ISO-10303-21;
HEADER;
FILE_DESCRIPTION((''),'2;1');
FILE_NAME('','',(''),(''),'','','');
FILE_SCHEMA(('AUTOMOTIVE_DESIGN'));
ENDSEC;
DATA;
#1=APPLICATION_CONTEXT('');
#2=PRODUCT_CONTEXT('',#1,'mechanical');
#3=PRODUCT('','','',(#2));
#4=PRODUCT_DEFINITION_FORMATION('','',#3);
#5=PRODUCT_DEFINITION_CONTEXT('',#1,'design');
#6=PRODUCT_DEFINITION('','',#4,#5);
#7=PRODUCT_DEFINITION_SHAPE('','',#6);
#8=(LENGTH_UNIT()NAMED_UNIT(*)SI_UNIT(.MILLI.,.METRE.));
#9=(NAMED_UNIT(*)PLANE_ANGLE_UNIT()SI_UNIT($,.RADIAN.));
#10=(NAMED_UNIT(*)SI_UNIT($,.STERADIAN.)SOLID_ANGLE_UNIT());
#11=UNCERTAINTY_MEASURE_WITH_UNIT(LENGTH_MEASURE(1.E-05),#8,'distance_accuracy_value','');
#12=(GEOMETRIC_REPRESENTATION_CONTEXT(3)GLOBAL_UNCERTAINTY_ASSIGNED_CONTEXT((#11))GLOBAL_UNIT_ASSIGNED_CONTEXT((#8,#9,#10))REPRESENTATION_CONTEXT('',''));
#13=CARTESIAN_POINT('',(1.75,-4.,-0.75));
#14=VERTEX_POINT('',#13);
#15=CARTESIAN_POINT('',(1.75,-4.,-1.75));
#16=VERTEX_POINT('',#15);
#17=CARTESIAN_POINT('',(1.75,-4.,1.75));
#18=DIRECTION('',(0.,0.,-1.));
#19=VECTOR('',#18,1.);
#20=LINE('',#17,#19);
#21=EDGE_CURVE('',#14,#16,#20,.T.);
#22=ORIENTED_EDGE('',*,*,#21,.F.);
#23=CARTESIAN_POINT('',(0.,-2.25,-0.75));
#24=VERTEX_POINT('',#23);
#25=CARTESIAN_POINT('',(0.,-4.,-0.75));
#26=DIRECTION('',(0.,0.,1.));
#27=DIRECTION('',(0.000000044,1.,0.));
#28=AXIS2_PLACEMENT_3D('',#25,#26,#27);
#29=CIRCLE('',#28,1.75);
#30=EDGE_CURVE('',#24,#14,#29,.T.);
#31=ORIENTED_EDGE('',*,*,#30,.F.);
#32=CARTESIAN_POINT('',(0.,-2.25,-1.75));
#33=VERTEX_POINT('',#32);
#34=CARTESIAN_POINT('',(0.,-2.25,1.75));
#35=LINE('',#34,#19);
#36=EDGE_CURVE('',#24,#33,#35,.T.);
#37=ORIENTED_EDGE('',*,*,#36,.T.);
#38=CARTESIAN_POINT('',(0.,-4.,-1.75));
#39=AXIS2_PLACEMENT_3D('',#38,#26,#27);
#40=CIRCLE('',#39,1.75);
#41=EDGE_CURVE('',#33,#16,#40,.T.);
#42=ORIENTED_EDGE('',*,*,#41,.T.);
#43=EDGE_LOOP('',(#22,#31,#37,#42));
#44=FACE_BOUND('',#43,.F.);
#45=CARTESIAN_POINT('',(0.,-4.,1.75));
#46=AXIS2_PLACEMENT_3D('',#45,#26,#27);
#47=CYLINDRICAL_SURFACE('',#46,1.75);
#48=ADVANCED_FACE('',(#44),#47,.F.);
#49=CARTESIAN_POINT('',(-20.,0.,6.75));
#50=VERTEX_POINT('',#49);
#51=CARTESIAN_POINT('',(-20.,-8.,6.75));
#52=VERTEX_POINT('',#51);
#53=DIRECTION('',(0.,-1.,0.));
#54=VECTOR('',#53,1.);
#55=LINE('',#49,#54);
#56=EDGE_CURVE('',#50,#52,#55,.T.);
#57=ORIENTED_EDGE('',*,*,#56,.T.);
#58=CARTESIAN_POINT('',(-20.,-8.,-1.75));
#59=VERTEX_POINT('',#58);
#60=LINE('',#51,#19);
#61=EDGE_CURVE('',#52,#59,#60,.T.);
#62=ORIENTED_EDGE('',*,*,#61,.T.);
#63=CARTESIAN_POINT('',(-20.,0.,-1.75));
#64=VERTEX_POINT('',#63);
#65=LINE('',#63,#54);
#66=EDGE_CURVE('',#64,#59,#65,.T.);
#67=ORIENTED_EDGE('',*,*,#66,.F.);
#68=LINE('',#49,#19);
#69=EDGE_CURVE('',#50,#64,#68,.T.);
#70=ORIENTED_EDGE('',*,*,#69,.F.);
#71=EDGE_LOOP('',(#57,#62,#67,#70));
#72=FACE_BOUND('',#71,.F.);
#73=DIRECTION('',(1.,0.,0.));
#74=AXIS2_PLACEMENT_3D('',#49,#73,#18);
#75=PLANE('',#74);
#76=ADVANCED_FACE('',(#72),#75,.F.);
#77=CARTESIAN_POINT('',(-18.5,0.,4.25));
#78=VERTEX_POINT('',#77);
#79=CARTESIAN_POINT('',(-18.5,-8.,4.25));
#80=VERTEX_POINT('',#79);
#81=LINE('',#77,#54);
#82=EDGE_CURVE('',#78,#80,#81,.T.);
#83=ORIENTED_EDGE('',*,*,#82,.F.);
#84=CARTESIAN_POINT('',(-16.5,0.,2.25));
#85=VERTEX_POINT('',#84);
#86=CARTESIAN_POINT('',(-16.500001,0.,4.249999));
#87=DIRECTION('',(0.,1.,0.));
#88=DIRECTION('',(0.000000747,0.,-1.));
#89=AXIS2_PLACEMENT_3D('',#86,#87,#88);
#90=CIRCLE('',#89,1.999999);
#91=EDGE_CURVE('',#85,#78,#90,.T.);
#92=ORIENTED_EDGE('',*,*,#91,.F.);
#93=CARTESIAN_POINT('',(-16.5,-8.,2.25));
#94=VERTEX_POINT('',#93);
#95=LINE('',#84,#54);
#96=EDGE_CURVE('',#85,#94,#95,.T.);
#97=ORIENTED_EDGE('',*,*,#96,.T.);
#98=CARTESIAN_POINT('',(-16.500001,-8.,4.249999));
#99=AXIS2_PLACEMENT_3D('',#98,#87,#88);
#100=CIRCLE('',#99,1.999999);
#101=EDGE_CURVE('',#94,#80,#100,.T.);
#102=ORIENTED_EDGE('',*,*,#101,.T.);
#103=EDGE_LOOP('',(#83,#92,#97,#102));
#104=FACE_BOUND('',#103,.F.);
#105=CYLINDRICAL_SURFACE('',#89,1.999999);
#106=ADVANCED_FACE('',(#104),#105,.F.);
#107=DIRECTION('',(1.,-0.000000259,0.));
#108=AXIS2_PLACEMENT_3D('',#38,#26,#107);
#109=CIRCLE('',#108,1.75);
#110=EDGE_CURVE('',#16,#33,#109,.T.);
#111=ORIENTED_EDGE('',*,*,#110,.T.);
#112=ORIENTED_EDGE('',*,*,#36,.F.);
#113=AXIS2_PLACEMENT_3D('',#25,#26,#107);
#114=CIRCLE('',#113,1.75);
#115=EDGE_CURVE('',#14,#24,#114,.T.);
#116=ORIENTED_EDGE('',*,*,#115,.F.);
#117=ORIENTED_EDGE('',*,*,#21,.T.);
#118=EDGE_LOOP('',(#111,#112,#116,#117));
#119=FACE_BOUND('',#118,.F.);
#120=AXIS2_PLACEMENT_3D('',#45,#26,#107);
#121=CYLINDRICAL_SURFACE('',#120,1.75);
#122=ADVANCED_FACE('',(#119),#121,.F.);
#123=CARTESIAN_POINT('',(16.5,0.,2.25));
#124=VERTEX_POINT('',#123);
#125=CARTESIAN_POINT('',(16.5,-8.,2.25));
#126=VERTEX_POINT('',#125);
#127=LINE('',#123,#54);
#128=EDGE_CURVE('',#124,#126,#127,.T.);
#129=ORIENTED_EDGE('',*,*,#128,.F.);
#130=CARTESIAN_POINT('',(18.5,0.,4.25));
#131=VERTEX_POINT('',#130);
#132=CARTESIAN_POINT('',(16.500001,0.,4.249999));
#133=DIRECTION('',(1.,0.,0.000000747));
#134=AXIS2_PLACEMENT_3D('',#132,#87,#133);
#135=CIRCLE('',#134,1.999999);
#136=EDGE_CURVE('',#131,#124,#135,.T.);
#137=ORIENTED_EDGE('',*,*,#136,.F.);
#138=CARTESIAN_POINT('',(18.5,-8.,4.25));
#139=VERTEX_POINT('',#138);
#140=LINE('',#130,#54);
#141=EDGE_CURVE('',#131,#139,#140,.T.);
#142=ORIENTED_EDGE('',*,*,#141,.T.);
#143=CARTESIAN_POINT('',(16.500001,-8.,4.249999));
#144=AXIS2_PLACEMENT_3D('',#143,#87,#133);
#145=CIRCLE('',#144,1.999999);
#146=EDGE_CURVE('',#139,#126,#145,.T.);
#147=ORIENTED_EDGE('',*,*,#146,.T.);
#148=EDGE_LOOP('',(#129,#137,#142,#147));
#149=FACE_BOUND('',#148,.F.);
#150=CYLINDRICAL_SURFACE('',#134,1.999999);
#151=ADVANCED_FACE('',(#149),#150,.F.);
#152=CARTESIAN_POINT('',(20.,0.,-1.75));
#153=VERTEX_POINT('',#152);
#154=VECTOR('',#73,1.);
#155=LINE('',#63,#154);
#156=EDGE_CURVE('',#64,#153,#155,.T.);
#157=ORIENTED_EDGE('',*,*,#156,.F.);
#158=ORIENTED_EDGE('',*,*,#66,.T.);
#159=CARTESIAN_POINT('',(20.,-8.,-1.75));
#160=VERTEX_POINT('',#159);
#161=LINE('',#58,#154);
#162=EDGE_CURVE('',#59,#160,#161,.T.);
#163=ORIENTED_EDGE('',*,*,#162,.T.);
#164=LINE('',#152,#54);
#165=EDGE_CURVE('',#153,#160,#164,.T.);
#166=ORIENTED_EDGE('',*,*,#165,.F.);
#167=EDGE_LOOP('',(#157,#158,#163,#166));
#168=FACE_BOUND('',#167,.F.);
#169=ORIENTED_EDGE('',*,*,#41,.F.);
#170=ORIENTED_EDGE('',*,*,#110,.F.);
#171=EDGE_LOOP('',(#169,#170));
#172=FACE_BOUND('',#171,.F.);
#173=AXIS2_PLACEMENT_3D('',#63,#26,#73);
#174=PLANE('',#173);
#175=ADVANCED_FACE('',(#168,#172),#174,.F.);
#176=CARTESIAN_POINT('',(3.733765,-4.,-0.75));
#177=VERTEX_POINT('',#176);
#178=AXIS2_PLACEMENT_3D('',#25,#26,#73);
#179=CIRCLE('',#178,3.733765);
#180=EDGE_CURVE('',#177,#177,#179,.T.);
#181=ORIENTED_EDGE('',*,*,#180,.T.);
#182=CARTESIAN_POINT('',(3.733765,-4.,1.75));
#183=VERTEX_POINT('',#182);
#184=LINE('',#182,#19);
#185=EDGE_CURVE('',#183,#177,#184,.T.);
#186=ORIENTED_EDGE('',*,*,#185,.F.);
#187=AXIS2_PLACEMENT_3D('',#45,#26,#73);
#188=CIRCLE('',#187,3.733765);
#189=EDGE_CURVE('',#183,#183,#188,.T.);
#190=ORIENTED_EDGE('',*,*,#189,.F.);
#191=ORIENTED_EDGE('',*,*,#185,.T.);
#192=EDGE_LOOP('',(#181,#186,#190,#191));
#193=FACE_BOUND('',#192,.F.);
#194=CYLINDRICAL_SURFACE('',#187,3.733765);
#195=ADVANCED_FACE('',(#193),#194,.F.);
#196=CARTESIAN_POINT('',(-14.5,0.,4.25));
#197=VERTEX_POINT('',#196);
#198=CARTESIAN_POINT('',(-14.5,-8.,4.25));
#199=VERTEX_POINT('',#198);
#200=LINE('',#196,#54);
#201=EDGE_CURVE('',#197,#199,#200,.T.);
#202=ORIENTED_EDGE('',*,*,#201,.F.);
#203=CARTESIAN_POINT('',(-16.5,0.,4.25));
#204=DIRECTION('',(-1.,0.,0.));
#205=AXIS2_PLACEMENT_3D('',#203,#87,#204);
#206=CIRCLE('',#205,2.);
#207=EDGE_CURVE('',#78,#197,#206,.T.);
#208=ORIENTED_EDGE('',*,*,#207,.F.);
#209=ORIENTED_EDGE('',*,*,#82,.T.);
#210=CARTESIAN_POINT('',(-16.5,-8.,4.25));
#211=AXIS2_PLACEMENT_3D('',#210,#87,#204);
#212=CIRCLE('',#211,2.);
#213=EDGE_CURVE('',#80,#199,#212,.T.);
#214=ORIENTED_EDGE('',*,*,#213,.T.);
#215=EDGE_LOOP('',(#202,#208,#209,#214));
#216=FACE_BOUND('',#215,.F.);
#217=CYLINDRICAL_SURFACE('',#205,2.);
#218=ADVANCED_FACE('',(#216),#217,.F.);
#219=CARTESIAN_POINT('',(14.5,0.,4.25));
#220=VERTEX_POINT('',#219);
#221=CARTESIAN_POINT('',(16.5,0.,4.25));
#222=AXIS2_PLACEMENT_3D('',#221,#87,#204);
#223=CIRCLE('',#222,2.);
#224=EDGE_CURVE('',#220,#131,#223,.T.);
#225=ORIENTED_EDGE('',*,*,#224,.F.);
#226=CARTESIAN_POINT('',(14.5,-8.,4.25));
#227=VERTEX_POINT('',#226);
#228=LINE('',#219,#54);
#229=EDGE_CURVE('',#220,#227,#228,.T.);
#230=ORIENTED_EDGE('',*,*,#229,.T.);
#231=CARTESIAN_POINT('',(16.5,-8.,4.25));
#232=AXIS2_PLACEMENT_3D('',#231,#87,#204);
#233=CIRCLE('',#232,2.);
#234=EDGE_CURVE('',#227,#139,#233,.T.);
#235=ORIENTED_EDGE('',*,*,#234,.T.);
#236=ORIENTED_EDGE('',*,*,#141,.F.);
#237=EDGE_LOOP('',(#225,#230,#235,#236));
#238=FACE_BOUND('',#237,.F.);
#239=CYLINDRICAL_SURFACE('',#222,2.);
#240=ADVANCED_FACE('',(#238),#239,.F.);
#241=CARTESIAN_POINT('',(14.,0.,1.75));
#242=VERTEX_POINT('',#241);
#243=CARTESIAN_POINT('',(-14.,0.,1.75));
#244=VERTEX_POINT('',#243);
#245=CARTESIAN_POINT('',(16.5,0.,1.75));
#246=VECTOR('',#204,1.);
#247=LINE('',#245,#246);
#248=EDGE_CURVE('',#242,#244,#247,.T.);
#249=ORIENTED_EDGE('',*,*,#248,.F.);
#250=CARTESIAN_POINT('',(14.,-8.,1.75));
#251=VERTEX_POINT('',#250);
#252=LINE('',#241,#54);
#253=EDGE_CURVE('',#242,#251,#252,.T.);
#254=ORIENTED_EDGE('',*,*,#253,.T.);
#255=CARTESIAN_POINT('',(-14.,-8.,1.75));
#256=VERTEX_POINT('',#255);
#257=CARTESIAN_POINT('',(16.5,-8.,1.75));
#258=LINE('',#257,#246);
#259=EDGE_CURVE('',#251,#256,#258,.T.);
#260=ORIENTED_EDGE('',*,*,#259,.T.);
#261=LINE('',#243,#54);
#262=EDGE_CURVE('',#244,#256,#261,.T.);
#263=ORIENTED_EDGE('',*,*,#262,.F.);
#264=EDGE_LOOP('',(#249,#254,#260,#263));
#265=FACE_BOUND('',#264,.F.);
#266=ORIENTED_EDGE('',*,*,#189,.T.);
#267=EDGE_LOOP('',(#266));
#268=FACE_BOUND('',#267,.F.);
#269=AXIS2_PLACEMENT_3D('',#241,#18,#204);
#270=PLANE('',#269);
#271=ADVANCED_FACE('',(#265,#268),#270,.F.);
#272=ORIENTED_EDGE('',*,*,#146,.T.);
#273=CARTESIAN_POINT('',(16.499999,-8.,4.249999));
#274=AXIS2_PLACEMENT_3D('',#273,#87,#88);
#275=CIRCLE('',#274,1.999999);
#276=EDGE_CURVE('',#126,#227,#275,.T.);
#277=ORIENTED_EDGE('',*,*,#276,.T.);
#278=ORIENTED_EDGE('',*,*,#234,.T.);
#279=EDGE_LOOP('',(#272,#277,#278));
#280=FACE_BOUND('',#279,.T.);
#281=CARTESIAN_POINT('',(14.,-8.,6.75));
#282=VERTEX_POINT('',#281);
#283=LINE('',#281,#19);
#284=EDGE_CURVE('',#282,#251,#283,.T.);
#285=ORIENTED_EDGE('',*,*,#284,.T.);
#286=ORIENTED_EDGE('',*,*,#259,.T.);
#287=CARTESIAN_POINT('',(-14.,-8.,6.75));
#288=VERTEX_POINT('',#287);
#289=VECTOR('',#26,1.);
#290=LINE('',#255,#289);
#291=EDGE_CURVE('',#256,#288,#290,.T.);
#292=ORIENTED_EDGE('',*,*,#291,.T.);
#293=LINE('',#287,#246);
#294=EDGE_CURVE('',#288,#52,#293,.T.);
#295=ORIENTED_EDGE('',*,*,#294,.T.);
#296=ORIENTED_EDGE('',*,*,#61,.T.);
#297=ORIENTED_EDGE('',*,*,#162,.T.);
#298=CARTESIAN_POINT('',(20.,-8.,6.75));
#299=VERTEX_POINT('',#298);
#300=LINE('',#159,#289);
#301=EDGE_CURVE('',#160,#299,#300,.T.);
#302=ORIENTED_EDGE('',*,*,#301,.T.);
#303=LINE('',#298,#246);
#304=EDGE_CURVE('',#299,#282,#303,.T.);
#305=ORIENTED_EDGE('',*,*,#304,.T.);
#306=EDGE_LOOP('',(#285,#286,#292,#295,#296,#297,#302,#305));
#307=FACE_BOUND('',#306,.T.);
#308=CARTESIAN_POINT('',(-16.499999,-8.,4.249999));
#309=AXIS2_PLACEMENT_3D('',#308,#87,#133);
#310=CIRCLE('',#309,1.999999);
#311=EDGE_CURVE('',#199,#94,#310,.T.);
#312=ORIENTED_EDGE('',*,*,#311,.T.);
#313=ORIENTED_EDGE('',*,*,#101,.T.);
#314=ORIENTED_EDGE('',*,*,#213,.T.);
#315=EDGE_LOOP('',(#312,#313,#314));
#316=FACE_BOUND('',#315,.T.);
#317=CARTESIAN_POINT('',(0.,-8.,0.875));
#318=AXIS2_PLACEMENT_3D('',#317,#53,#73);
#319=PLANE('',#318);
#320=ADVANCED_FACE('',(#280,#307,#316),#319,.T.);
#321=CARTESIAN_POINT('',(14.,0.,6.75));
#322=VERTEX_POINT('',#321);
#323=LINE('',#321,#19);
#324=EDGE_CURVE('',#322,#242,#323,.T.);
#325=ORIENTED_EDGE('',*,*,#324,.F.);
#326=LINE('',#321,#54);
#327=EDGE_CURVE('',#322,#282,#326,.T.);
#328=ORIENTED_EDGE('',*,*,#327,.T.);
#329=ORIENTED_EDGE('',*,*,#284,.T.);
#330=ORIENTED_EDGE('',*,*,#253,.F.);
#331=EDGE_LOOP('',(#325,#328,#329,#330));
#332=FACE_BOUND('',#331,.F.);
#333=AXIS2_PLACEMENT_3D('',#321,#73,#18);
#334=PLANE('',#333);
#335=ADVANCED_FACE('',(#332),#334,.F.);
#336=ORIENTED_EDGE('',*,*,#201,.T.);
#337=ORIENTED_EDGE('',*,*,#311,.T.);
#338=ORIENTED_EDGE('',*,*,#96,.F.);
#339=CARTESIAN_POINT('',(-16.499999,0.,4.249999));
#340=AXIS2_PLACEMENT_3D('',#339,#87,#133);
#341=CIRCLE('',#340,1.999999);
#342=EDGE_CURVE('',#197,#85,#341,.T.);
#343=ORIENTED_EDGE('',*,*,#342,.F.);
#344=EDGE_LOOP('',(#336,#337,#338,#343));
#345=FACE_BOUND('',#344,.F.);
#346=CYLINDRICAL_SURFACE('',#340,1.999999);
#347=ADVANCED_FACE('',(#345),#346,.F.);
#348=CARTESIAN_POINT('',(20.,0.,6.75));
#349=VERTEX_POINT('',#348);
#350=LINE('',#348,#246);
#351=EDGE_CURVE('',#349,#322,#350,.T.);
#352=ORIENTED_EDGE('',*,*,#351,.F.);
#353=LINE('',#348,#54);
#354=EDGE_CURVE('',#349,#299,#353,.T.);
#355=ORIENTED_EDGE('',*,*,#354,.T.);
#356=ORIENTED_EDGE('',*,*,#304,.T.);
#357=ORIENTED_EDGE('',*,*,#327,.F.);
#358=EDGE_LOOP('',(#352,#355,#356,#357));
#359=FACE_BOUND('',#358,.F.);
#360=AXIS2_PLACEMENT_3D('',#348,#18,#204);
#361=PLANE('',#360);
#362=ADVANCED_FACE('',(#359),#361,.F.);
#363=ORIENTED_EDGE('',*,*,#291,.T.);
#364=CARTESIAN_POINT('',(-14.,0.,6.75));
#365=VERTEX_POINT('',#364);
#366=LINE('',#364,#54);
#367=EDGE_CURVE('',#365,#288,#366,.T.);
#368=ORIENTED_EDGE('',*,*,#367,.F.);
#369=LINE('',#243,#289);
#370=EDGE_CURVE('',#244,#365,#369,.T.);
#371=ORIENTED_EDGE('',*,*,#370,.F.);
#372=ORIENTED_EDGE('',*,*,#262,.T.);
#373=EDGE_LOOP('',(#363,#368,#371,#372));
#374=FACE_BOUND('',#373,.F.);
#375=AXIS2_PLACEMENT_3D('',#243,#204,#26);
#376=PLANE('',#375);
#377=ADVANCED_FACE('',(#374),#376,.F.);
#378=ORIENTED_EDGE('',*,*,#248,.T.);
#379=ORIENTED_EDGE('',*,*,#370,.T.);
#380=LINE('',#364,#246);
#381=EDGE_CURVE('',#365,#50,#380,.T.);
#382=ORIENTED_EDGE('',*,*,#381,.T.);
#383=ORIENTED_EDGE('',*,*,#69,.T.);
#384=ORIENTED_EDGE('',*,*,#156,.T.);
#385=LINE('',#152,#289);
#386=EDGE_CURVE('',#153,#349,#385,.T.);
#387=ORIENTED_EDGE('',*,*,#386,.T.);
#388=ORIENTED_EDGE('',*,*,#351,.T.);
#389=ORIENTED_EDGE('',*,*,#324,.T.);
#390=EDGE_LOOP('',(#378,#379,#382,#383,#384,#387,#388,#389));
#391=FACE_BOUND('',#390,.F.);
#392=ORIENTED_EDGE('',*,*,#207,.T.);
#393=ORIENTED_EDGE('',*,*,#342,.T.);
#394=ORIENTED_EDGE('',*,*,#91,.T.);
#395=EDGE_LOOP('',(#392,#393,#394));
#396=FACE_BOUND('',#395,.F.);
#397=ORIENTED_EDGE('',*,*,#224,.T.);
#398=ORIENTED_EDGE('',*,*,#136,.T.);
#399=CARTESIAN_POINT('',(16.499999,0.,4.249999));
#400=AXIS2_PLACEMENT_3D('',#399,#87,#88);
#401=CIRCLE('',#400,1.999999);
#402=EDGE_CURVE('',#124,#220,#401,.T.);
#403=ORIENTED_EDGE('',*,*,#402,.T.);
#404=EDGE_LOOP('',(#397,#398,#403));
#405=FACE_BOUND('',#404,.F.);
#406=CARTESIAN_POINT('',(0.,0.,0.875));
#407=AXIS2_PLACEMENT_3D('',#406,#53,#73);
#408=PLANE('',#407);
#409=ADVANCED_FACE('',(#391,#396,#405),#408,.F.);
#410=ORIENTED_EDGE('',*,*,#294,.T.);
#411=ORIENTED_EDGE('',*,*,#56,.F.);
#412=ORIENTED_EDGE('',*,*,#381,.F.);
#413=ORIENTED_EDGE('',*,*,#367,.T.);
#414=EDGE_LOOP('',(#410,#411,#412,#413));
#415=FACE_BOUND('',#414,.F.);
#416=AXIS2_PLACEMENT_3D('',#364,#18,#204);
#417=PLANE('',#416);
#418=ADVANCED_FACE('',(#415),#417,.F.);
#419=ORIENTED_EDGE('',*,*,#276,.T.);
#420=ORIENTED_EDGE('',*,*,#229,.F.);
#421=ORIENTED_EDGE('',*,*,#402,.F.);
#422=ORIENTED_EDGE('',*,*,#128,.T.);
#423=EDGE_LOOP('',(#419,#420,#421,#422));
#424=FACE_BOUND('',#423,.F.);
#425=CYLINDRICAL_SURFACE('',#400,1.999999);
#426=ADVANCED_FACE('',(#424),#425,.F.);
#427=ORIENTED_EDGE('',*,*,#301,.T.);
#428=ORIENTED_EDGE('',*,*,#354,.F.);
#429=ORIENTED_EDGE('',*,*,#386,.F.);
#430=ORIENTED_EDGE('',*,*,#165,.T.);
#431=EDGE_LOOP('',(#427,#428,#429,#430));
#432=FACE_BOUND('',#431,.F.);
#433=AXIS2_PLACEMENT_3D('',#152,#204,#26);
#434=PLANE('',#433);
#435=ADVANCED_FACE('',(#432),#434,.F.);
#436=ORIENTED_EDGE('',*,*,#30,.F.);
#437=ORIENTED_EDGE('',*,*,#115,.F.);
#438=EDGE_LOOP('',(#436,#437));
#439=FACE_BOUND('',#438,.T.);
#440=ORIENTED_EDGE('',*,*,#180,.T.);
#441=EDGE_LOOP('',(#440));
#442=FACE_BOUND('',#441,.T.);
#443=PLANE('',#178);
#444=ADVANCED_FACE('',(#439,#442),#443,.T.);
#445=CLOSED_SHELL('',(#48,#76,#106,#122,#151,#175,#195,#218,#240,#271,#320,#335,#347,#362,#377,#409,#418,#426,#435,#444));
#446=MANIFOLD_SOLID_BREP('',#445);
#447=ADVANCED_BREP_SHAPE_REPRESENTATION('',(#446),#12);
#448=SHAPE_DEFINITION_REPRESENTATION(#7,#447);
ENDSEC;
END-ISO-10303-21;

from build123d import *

# Parameters (mm, degrees)
F1_DEPTH = 8
F3_DEPTH = 25
F4_R     = 3.733765
F5_DEPTH = 2.5


with BuildPart() as f1:
    # F0 (on Front) → F1 (new body)
    with BuildSketch(Plane.XZ):
        Polygon((16.5, 1.75), (14, 1.75), (-14, 1.75), (-16.5, 1.75), (-16.5, 0), (0, 0), (16.5, 0), align=None)
        with BuildLine():
            Line((14, 4.25), (14, 1.75))
            Line((14, 1.75), (16.5, 1.75))
            Line((16.5, 1.75), (16.5, 2.25))
            ThreePointArc((16.5, 2.25), (15.085786, 2.835786), (14.5, 4.25))
            Line((14.5, 4.25), (14, 4.25))
        make_face()
        with BuildLine():
            Line((-16.5, 1.75), (-14, 1.75))
            Line((-14, 1.75), (-14, 4.25))
            Line((-14, 4.25), (-14.5, 4.25))
            ThreePointArc((-14.5, 4.25), (-15.085786, 2.835786), (-16.5, 2.25))
            Line((-16.5, 2.25), (-16.5, 1.75))
        make_face()
        with BuildLine():
            Line((16.5, 2.25), (16.5, 1.75))
            Line((16.5, 1.75), (20, 1.75))
            Line((20, 1.75), (20, 4.25))
            Line((20, 4.25), (18.5, 4.25))
            ThreePointArc((18.5, 4.25), (17.914214, 2.835786), (16.5, 2.25))
        make_face()
        Polygon((20, 1.75), (16.5, 1.75), (16.5, 0), (0, 0), (-16.5, 0), (-16.5, 1.75), (-20, 1.75), (-20, -1.75), (20, -1.75), align=None)
        with BuildLine():
            Line((14, 6.75), (14, 4.25))
            Line((14, 4.25), (14.5, 4.25))
            ThreePointArc((14.5, 4.25), (16.5, 6.25), (18.5, 4.25))
            Line((18.5, 4.25), (20, 4.25))
            Line((20, 4.25), (20, 6.75))
            Line((20, 6.75), (14, 6.75))
        make_face()
        with BuildLine():
            Line((-20, 1.75), (-16.5, 1.75))
            Line((-16.5, 1.75), (-16.5, 2.25))
            ThreePointArc((-16.5, 2.25), (-17.914214, 2.835786), (-18.5, 4.25))
            Line((-18.5, 4.25), (-20, 4.25))
            Line((-20, 4.25), (-20, 1.75))
        make_face()
        with BuildLine():
            Line((-14.5, 4.25), (-14, 4.25))
            Line((-14, 4.25), (-14, 6.75))
            Line((-14, 6.75), (-20, 6.75))
            Line((-20, 6.75), (-20, 4.25))
            Line((-20, 4.25), (-18.5, 4.25))
            ThreePointArc((-18.5, 4.25), (-16.5, 6.25), (-14.5, 4.25))
        make_face()
    extrude(amount=F1_DEPTH)

    # F2 (on face) → F3 (cut)
    with BuildSketch(Plane.XY.offset(1.75)):
        with BuildLine():
            ThreePointArc((1.75, -4), (1.237437, -2.762563), (0, -2.25))
            ThreePointArc((0, -2.25), (-1.237437, -5.237437), (1.75, -4))
        make_face()
    extrude(amount=-F3_DEPTH, mode=Mode.SUBTRACT)

    # F4 (on face) → F5 (cut)
    with BuildSketch(Plane.XY.offset(1.75)):
        with Locations((0, -4)):
            Circle(F4_R)
    extrude(amount=-F5_DEPTH, mode=Mode.SUBTRACT)


solid = f1.part
